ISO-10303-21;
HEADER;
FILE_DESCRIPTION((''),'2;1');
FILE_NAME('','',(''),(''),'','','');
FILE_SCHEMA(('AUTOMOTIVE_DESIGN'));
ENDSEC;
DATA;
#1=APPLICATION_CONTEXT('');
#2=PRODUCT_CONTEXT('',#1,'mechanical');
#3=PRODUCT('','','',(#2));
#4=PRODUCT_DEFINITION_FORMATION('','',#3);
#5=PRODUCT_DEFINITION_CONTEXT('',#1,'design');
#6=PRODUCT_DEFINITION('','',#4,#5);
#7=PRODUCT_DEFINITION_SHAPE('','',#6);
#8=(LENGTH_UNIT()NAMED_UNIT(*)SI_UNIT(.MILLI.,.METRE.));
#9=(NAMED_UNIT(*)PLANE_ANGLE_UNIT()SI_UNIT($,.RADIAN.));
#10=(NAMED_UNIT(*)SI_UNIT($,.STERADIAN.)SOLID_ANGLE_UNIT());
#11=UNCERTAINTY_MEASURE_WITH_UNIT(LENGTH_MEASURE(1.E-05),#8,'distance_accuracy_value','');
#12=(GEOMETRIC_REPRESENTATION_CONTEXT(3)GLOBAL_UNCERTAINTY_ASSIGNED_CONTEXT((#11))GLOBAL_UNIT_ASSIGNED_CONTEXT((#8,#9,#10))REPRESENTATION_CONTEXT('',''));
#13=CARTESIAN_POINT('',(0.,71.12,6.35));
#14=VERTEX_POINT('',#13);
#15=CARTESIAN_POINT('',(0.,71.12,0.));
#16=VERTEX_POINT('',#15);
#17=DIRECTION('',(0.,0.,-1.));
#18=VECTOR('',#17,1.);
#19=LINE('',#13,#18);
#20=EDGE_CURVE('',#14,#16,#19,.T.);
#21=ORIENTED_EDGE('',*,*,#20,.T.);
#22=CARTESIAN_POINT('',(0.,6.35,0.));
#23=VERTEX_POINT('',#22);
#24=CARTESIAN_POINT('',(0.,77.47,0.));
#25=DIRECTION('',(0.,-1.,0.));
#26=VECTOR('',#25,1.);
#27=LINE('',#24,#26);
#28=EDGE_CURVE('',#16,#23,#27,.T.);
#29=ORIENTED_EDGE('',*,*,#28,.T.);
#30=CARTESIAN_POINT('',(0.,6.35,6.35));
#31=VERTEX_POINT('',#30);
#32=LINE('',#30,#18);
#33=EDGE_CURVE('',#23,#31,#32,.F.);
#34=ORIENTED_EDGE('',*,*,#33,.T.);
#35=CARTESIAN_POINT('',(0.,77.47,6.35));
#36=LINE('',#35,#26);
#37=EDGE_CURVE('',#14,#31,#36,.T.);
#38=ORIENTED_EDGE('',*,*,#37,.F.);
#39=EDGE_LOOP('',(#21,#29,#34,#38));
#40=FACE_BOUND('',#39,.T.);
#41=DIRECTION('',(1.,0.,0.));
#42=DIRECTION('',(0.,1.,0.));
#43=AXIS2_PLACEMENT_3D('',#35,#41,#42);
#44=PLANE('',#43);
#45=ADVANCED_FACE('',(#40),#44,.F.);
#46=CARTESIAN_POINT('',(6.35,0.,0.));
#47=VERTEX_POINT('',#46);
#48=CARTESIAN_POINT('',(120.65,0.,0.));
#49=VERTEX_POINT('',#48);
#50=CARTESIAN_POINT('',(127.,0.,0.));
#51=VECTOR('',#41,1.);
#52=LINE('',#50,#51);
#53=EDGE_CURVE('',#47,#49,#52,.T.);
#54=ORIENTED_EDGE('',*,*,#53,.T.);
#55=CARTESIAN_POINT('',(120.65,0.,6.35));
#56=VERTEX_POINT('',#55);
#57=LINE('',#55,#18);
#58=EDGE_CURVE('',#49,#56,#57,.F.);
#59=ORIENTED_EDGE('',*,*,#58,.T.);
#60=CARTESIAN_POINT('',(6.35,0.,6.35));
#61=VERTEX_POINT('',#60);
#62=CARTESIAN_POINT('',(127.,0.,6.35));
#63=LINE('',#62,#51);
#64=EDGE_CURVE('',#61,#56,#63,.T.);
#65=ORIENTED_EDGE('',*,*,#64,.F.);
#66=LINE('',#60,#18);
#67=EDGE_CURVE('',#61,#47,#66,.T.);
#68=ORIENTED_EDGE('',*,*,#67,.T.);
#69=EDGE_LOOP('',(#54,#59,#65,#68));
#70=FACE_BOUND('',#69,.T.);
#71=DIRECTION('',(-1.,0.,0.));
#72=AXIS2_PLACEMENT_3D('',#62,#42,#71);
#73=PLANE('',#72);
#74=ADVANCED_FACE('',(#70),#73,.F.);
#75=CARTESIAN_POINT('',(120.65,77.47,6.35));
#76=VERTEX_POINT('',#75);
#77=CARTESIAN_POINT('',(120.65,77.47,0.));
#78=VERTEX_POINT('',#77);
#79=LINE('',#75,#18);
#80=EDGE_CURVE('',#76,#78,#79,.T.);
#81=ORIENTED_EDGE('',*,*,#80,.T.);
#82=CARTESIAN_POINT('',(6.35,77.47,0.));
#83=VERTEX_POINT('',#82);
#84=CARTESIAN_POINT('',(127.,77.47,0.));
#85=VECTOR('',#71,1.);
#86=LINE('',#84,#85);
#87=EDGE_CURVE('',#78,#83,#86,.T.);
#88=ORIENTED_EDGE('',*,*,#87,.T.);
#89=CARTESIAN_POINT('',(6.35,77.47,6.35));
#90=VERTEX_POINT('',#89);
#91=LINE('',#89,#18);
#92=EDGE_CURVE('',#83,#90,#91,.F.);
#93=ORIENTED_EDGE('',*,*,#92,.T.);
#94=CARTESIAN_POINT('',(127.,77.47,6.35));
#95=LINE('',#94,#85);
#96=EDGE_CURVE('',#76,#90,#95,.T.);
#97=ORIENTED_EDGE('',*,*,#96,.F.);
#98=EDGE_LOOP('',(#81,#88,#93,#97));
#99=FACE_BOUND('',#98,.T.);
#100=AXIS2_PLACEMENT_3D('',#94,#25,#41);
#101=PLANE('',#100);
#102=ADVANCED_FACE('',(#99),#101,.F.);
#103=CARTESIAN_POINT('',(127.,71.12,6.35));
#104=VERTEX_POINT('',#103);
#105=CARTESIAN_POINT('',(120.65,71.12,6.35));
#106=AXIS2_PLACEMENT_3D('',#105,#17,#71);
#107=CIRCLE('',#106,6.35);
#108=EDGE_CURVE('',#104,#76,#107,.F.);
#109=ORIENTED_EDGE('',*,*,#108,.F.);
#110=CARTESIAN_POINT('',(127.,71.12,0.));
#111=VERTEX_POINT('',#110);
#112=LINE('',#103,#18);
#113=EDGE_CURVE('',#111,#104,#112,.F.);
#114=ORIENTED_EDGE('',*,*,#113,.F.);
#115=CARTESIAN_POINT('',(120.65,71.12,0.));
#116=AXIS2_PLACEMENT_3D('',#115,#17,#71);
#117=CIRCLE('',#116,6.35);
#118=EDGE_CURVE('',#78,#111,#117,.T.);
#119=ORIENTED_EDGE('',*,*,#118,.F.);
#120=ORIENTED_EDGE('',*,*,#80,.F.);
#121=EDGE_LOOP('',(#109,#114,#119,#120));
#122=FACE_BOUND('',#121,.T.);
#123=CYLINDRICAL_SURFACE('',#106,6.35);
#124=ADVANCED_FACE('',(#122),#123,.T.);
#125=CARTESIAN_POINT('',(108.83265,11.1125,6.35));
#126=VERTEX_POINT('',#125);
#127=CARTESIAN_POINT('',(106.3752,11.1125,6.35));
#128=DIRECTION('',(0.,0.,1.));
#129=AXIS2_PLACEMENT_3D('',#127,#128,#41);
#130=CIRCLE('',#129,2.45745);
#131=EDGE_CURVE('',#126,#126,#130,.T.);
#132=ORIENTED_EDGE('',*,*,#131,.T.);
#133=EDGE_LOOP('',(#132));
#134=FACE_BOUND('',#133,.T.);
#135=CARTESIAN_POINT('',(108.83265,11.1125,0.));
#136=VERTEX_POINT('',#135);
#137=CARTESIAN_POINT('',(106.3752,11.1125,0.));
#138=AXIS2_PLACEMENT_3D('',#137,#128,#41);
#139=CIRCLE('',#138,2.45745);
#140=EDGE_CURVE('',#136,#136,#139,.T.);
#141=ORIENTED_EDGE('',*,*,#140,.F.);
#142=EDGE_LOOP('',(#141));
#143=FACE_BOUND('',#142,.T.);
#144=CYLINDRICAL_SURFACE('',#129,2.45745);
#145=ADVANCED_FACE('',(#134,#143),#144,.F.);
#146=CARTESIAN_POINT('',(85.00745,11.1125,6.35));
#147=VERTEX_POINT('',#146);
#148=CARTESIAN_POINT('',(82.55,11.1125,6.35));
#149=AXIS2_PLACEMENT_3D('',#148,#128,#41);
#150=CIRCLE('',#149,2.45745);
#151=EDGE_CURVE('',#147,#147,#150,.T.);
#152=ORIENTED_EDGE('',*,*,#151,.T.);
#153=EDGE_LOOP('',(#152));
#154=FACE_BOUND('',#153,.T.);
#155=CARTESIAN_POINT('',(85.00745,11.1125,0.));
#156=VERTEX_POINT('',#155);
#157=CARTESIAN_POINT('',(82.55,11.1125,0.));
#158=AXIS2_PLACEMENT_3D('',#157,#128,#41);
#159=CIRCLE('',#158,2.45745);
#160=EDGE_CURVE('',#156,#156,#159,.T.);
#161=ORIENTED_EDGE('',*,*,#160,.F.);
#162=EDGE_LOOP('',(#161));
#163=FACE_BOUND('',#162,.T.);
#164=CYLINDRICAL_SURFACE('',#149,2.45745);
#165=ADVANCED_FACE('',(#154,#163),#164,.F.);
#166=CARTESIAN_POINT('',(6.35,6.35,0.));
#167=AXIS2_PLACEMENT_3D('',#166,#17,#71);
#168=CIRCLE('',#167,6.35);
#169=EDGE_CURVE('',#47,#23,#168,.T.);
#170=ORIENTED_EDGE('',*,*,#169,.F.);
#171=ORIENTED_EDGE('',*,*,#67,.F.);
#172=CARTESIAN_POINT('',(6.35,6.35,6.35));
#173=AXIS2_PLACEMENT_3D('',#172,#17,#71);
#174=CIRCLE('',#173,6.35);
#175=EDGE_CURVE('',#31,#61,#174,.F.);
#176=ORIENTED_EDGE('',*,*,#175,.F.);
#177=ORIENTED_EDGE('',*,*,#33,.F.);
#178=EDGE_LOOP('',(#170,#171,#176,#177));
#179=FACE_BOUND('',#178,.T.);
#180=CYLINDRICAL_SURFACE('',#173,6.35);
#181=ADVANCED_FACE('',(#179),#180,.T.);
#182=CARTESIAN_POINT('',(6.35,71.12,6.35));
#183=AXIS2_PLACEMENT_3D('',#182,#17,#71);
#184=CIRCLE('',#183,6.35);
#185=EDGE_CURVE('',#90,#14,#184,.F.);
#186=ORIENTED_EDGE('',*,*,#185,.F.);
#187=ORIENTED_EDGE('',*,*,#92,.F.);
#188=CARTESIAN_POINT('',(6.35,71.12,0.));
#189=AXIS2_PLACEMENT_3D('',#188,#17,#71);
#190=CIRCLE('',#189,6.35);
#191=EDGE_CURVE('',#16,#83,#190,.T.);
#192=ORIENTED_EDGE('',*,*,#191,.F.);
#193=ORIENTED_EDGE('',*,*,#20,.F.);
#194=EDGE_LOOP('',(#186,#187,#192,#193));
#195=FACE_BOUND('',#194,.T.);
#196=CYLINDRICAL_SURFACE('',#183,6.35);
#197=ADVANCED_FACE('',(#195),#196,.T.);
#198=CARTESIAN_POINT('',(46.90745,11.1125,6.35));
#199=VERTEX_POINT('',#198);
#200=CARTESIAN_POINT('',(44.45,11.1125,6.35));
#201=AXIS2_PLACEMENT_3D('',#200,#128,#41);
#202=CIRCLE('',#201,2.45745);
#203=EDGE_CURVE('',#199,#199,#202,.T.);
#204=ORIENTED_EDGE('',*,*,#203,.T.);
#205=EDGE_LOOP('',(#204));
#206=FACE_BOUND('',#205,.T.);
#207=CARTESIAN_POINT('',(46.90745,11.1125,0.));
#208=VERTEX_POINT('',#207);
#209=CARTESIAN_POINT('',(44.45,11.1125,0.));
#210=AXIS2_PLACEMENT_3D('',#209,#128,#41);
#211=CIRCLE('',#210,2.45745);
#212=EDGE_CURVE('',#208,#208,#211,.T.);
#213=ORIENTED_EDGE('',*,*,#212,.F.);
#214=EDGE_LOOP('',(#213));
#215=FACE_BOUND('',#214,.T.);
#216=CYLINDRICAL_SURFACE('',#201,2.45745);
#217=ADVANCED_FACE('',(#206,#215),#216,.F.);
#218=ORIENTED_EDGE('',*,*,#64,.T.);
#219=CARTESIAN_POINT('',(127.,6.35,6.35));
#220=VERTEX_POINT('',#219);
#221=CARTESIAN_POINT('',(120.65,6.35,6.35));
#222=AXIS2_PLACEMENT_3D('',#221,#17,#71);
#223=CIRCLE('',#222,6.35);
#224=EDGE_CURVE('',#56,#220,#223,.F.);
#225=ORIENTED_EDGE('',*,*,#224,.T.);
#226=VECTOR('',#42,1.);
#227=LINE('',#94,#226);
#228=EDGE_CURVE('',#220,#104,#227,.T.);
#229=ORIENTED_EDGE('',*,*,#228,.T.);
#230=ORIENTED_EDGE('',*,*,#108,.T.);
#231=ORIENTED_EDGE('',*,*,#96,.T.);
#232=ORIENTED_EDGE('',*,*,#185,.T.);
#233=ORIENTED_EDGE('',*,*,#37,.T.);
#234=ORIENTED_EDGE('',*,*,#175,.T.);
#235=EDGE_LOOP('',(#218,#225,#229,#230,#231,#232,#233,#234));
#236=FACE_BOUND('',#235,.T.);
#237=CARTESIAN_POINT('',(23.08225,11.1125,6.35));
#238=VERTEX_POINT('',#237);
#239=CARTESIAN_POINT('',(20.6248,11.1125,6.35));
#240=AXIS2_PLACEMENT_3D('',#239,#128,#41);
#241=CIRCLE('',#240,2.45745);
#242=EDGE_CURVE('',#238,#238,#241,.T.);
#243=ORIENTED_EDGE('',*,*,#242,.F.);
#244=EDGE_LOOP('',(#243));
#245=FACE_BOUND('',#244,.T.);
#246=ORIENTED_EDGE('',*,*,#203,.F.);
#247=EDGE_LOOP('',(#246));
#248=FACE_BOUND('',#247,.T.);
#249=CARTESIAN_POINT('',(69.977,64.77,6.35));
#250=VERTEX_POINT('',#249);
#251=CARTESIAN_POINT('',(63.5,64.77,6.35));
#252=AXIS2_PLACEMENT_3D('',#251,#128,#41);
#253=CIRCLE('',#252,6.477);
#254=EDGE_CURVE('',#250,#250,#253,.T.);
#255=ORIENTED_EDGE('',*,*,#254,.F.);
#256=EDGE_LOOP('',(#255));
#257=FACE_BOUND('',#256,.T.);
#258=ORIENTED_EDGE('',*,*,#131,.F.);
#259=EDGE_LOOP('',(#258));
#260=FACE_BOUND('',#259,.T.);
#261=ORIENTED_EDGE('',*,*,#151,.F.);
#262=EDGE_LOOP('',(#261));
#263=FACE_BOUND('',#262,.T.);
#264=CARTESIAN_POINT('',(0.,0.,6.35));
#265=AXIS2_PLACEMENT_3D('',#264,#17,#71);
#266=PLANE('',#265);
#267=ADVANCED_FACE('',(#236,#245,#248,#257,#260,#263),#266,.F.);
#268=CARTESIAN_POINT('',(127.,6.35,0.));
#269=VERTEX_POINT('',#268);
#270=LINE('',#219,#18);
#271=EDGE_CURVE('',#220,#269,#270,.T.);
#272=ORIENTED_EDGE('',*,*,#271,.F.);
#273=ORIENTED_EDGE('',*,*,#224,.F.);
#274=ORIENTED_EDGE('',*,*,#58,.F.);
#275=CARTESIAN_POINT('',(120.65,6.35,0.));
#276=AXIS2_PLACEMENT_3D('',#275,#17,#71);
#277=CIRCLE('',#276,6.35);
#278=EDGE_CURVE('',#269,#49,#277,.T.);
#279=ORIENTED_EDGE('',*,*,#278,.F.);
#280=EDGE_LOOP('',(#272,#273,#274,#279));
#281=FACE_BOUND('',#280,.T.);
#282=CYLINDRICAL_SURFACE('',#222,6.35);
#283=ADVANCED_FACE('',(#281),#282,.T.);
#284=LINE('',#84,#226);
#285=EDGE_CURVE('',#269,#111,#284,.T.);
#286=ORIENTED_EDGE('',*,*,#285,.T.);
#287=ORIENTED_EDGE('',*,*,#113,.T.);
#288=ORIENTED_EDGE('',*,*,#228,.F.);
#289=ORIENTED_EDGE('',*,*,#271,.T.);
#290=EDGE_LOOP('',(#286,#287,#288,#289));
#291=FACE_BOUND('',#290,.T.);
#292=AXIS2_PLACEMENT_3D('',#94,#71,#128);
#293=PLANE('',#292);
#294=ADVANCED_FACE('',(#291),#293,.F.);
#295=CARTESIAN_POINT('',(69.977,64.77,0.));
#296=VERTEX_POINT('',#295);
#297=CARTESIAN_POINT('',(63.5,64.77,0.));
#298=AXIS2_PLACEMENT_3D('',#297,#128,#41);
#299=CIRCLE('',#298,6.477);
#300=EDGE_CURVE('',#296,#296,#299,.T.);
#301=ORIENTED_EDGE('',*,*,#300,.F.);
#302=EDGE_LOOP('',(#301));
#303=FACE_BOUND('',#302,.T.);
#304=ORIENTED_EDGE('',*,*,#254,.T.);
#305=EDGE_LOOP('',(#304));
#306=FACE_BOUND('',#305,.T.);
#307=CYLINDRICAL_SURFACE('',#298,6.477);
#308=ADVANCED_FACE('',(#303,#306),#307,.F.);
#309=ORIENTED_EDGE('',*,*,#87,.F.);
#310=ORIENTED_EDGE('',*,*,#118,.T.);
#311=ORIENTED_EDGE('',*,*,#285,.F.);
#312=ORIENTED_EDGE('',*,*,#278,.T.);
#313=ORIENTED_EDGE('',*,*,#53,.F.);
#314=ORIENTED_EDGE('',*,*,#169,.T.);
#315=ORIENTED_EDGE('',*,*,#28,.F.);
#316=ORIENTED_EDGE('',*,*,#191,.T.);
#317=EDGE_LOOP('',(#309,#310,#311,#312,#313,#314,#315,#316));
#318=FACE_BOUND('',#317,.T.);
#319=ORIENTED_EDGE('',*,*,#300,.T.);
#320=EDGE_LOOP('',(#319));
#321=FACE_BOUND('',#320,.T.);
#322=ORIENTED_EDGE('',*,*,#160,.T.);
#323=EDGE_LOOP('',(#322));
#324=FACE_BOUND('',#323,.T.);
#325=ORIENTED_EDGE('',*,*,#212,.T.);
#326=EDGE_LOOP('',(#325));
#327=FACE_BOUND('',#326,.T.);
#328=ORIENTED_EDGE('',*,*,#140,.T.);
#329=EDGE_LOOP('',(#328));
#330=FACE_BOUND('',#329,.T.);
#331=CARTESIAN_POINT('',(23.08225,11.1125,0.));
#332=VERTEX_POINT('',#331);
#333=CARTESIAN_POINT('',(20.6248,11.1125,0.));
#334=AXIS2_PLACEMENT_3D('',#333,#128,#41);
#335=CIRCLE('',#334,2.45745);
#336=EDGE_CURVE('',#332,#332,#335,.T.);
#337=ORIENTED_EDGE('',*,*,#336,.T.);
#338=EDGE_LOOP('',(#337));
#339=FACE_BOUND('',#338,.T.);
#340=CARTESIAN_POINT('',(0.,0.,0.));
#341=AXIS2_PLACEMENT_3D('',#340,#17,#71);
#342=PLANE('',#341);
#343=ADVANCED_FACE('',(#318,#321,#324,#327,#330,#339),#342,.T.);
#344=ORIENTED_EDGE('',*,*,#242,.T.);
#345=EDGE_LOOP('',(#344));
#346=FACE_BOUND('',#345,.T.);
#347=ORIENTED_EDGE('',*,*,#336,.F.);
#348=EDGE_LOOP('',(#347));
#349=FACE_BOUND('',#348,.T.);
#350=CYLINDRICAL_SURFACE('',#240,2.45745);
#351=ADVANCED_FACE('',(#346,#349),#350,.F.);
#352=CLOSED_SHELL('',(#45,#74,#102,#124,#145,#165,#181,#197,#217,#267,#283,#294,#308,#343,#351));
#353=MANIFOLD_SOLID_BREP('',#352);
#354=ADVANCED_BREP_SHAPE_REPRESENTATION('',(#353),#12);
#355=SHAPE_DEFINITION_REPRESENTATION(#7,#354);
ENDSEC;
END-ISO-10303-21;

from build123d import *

# Parameters (mm, degrees)
SKETCH1_W             = 127
SKETCH1_H             = 77.47
BOSS_EXTRUDE1_DEPTH   = 6.35
F_8_CLEARANCE_HOLE1_D = 4.9149
FILLET1_R             = 6.35
SKETCH8_R             = 6.477
CUT_EXTRUDE1_DEPTH    = 149.899037606


with BuildPart() as part:
    # Sketch1 → Boss-Extrude1 (new body)
    with BuildSketch(Plane.XY):
        with Locations((63.5, 38.735)):
            Rectangle(SKETCH1_W, SKETCH1_H)
    extrude(amount=BOSS_EXTRUDE1_DEPTH)

    # #8 Clearance Hole1 (through all)
    with Locations(Plane.XY.offset(6.35)):
        with Locations((20.6248, 11.1125), (44.45, 11.1125), (82.55, 11.1125), (106.3752, 11.1125)):
            Hole(F_8_CLEARANCE_HOLE1_D / 2)

    # Fillet1
    fillet1_edges = [part.edges().sort_by_distance(p)[0] for p in [
        (0, 77.47, 3.175),
        (127, 77.47, 3.175),
        (127, 0, 3.175),
        (0, 0, 3.175),
    ]]
    fillet(fillet1_edges, radius=FILLET1_R)

    # Sketch8 → Cut-Extrude1 (cut, through all)
    with BuildSketch(Plane.XY.offset(6.35)):
        with Locations((63.5, 64.77)):
            Circle(SKETCH8_R)
    extrude(amount=-CUT_EXTRUDE1_DEPTH, mode=Mode.SUBTRACT)


solid = part.part
